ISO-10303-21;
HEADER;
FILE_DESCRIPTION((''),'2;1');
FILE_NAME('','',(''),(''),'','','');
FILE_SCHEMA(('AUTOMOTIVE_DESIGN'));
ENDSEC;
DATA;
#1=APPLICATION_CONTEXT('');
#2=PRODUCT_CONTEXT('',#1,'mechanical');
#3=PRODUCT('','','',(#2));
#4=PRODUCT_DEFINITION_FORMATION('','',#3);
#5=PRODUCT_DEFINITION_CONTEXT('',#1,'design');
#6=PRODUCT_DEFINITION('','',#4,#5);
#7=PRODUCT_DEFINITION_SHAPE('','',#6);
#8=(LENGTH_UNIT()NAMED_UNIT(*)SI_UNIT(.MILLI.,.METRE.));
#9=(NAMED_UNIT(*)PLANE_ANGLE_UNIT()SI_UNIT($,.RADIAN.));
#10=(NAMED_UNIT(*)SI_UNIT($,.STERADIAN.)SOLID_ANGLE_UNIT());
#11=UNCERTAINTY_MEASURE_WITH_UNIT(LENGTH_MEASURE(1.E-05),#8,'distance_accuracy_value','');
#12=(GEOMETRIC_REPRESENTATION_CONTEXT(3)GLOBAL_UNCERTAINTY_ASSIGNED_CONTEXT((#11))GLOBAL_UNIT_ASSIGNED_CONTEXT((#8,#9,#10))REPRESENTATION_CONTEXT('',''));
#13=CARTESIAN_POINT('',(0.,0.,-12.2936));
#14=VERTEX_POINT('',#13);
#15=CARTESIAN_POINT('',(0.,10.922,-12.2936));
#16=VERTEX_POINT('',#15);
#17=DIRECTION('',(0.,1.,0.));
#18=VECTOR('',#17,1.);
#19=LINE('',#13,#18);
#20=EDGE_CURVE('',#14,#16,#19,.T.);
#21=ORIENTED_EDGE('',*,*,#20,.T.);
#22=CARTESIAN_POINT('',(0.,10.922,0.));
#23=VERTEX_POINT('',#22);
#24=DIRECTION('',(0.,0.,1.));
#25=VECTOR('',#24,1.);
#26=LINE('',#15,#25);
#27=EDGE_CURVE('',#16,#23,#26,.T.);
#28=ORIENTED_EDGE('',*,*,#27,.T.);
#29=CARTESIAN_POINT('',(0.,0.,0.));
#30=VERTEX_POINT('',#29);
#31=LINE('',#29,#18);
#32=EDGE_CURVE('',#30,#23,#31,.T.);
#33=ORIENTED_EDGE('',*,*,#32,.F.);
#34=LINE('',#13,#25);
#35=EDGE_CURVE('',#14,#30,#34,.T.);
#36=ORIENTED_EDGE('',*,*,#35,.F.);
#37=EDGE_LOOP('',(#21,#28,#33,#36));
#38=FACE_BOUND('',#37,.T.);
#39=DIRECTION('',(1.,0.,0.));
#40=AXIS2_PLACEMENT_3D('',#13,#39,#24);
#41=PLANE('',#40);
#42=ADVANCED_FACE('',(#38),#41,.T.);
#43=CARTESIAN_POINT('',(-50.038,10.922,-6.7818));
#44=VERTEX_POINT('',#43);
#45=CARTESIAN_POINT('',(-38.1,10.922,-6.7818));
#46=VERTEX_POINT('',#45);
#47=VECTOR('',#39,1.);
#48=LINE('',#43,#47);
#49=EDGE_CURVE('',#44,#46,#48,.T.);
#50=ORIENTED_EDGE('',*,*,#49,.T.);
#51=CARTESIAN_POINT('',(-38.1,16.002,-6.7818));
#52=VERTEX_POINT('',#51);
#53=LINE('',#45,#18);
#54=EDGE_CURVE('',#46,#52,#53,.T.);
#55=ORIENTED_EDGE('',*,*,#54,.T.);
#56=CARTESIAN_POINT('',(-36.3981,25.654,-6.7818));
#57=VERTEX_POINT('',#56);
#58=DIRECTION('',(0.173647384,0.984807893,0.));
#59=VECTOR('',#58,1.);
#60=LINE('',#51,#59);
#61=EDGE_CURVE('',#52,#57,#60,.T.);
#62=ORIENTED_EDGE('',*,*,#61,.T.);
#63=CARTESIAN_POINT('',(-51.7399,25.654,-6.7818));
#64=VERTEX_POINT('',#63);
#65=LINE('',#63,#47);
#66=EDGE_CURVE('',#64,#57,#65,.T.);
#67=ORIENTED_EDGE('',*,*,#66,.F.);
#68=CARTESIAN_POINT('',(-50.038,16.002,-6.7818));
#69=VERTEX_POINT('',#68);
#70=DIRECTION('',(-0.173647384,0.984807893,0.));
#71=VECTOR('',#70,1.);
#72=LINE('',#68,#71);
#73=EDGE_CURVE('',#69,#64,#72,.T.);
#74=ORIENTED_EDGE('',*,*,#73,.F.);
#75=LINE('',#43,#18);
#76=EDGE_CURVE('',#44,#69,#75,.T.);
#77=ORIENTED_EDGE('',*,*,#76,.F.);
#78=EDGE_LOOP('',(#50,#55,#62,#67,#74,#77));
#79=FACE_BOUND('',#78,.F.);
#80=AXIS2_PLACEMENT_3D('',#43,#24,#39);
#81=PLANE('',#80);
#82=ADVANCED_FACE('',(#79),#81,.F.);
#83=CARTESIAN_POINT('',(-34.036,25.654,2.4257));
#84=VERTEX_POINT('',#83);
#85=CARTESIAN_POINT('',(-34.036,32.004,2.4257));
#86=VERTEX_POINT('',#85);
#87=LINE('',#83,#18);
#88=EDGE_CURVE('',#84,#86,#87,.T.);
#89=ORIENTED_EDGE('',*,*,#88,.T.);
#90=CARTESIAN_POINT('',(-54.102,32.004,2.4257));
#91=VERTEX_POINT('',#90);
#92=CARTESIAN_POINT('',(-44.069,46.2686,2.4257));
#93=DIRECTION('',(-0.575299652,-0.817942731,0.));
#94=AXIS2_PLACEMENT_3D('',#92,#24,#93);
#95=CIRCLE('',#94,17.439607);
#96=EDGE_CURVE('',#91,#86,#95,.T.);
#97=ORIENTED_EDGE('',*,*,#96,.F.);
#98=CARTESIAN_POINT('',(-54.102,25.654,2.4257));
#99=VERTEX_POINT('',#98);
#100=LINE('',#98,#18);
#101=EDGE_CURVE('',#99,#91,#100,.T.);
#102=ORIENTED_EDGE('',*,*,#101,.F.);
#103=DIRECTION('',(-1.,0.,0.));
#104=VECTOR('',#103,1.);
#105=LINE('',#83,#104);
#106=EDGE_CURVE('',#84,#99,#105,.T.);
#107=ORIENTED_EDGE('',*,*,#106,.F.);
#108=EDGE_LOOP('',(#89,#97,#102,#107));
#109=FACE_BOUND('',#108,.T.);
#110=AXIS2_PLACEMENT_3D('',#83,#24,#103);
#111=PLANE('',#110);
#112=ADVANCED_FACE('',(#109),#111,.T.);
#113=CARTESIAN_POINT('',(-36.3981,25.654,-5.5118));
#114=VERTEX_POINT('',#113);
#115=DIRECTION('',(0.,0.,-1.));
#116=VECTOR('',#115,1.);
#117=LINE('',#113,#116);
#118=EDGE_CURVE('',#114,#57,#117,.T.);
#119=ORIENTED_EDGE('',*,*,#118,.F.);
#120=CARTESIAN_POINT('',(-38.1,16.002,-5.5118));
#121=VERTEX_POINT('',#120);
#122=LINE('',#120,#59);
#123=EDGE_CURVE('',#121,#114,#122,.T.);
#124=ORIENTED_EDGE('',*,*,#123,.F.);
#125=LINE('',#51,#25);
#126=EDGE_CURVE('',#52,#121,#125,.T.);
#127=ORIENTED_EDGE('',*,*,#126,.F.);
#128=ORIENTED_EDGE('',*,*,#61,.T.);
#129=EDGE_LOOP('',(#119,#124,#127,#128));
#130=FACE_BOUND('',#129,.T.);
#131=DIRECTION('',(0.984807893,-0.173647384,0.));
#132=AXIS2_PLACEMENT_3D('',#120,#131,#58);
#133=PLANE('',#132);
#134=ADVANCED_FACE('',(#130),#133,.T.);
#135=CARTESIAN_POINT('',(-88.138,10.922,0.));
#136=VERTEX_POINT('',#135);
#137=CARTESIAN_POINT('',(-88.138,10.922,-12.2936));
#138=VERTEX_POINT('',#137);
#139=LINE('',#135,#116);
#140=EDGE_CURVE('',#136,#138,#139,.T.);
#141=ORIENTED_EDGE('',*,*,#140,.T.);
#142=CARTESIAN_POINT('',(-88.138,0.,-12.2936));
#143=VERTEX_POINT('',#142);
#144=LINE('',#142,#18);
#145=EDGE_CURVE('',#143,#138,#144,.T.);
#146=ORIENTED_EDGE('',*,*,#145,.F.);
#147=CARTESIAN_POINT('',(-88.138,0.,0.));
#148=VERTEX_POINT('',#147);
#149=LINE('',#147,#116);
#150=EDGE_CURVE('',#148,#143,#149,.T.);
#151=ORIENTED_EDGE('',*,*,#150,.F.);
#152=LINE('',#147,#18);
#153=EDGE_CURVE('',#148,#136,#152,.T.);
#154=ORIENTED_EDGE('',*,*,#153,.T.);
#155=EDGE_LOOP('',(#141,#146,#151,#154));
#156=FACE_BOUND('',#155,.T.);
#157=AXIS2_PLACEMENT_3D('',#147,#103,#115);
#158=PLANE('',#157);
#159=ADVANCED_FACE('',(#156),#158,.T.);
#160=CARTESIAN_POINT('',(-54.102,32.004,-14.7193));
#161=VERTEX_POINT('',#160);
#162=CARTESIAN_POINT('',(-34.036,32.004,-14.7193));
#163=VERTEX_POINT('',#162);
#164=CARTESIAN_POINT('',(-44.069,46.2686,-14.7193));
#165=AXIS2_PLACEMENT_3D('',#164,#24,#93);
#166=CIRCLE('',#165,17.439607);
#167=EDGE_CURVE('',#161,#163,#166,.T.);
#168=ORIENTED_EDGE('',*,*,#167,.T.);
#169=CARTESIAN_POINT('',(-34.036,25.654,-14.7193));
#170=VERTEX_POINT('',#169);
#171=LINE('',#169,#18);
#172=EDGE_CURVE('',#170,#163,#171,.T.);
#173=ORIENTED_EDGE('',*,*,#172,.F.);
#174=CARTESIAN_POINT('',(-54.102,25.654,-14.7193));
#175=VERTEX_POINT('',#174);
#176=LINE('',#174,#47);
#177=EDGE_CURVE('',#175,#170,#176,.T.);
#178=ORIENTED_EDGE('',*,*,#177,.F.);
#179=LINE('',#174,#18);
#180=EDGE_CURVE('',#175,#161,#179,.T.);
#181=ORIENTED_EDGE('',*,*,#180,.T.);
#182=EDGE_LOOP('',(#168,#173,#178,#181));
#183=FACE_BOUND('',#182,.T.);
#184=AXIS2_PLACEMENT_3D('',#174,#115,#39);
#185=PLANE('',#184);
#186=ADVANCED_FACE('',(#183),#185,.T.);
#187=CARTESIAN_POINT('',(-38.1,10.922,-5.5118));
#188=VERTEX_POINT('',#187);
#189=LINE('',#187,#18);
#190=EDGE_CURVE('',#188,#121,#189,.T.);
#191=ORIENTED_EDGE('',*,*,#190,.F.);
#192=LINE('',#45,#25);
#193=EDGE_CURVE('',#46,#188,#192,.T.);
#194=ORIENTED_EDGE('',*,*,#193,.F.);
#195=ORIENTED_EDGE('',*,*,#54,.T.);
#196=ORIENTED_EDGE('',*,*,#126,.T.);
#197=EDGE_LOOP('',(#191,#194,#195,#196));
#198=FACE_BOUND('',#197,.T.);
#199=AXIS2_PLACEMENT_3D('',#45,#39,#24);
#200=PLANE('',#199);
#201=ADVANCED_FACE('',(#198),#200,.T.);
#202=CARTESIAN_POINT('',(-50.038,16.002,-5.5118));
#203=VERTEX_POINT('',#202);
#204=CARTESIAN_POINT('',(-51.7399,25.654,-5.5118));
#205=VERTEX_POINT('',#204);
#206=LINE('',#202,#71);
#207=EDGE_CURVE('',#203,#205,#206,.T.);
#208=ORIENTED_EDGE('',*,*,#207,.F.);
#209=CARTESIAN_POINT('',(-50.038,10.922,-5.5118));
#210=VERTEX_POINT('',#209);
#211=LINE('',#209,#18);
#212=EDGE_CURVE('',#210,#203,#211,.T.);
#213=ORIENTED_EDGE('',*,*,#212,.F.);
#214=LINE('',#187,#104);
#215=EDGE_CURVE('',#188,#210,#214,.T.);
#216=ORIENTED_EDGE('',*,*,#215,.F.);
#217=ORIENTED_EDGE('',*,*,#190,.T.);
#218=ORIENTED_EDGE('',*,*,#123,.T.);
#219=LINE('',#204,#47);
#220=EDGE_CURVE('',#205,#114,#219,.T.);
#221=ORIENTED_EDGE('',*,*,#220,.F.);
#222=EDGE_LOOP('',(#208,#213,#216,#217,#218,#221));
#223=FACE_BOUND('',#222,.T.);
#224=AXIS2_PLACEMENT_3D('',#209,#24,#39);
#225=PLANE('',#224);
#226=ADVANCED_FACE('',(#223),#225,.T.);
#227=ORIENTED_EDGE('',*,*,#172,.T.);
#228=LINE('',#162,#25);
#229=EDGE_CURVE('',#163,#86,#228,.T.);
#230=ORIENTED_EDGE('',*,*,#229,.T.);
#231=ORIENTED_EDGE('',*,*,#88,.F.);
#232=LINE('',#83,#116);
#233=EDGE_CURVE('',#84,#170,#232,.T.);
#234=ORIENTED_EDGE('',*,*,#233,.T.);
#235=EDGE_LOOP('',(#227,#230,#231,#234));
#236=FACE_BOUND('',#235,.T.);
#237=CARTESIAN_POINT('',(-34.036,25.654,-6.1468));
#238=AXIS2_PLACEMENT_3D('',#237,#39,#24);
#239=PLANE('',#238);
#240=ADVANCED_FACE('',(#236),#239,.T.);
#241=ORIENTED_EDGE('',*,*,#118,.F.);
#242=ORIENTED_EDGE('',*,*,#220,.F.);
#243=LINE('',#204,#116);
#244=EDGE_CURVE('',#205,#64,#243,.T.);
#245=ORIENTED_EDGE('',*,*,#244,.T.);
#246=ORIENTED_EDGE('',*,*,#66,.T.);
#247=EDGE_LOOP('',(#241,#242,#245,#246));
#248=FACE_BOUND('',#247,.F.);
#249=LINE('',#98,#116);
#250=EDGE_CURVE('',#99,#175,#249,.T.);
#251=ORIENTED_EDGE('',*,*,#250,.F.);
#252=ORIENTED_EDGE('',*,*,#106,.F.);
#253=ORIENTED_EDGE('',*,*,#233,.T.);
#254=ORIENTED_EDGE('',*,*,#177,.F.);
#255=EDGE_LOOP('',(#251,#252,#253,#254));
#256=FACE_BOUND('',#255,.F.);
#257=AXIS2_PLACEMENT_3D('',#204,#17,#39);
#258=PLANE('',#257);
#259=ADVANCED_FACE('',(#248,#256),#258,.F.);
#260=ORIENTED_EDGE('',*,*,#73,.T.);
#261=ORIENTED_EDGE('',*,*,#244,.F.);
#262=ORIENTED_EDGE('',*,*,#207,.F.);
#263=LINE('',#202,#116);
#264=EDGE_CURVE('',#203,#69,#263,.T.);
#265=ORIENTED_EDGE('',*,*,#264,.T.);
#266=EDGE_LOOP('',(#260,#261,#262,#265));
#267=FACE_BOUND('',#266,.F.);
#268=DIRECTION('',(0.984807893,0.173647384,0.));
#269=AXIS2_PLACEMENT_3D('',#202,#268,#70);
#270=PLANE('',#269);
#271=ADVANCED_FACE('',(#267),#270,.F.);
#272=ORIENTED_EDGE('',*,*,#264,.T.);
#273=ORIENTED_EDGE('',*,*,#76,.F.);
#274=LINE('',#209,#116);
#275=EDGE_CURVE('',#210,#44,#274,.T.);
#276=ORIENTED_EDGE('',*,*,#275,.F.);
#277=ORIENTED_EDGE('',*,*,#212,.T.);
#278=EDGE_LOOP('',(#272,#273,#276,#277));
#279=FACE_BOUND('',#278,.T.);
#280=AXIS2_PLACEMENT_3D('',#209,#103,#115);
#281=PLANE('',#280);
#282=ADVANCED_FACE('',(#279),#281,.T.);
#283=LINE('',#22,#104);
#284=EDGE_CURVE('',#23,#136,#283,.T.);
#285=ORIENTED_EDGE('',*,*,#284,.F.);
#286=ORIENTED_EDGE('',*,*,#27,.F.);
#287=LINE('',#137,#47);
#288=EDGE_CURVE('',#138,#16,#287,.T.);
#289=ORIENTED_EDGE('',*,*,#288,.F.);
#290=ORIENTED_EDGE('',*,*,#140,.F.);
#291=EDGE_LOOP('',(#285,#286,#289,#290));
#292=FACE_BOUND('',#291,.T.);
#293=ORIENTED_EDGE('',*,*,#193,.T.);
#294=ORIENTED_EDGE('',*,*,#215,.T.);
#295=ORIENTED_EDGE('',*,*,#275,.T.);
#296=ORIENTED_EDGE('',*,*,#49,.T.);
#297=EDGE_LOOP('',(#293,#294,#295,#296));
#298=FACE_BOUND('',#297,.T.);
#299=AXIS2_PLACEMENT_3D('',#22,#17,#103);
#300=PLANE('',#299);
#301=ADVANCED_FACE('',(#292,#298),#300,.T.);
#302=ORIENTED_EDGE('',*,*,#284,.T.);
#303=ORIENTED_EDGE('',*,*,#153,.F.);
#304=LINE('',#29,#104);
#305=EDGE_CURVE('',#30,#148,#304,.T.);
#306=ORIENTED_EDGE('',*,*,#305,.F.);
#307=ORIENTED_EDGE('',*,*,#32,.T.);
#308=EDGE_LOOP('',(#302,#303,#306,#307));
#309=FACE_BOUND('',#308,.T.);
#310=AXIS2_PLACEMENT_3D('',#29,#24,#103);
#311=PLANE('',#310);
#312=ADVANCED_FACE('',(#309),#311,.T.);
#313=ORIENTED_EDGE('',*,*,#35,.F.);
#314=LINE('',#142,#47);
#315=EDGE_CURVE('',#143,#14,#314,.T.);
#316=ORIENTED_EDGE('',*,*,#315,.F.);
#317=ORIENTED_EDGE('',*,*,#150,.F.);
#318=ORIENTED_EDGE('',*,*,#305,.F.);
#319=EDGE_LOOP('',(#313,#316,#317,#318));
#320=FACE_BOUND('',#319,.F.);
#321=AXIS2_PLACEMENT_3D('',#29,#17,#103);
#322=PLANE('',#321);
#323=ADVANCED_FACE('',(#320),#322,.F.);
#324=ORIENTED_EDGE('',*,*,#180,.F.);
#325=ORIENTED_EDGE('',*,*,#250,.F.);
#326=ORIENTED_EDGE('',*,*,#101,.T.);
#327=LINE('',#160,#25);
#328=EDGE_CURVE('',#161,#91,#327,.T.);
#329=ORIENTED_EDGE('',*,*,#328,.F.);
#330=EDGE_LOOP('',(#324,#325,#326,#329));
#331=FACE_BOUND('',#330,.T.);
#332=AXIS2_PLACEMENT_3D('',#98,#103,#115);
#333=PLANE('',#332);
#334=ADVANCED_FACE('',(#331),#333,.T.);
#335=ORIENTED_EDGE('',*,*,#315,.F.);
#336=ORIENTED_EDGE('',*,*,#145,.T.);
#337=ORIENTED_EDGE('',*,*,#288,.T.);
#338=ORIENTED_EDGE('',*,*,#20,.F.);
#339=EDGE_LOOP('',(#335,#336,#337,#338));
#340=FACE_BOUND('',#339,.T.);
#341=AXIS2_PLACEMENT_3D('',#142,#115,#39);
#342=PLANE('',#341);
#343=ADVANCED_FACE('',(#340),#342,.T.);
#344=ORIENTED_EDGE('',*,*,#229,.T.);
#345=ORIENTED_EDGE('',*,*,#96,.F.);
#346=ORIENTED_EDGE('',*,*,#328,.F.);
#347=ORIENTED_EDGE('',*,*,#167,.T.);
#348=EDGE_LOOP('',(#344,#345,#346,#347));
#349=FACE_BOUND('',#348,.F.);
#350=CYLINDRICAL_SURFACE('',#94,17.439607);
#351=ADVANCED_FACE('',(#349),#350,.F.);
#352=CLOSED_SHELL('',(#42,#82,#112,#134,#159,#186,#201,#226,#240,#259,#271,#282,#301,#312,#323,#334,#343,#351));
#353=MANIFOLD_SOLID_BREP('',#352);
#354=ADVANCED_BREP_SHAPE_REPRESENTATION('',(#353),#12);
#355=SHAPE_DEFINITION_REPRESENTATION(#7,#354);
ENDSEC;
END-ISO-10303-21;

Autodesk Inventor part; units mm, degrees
ref_plane "YZ Plane" through (0, 0, 0) normal (1, 0, 0) x (0, 1, 0)
ref_plane "XZ Plane" through (0, 0, 0) normal (0, 1, 0) x (-1, 0, 0)
ref_plane "XY Plane" through (0, 0, 0) normal (0, 0, 1) x (1, 0, 0)
sketch "Sketch1" plane through (0, 0, 0) normal (0, 1, 0) x (-1, 0, 0)
  line L0 (0, 0) -> (88.138, 0)
  line L1 (88.138, 0) -> (88.138, -12.2936)
  line L2 (88.138, -12.2936) -> (0, -12.2936)
  line L3 (0, -12.2936) -> (0, 0)
  dimension "d0" = 88.138
  dimension "d1" = 12.2936
extrude "Extrusion1" add sketch "Sketch1" along normal blind 10.922
sketch "Sketch2" plane through (0, 10.922, 0) normal (0, 1, 0) x (1, 0, 0)
  line L0 (-88.138, 12.2936) -> (-88.138, 0) projected
  line L1 (0, 0) -> (0, 12.2936) projected
  line L2 (-50.038, 6.7818) -> (-38.1, 6.7818)
  line L3 (-38.1, 6.7818) -> (-38.1, 5.5118)
  line L4 (-38.1, 5.5118) -> (-50.038, 5.5118)
  line L5 (-50.038, 5.5118) -> (-50.038, 6.7818)
  dimension "d7" = 11.938
  dimension "d8" = 1.27
extrude "Extrusion2" add sketch "Sketch2" along normal blind 5.08
sketch "Sketch4" plane through (-50.038, 10.922, -5.5118) normal (0, 0, 1) x (1, 0, 0)
  line L0 (0, 5.08) -> (11.938, 5.08)
  line L1 (11.938, 5.08) -> (0, 5.08) projected
  line L2 (11.938, 5.08) -> (13.6399, 14.732)
  line L3 (11.938, 5.08) -> (21.7389, 5.08) construction
  line L4 (0, 5.08) -> (-1.7019, 14.732)
  line L5 (0, 5.08) -> (9.8009, 5.08) construction
  line L6 (-1.7019, 14.732) -> (13.6399, 14.732)
  point P0 (50.038, -10.922)
  dimension "d12" = 80
  dimension "d13" = 100
extrude "Extrusion3" add sketch "Sketch4" against normal blind 1.27
sketch "Sketch5" plane through (-51.7399, 25.654, -5.5118) normal (0, 1, 0) x (1, 0, 0)
  line L0 (15.3418, 0) -> (0, 0) projected
  line L1 (15.3418, 0) -> (15.3418, 1.27) projected
  line L2 (0, 1.27) -> (15.3418, 1.27) projected
  line L3 (0, 0) -> (0, 1.27) projected
  line L4 (-2.3621, 0.635) -> (17.7039, 0.635)
  line L5 (-2.3621, 9.2075) -> (17.7039, 9.2075)
  line L6 (17.7039, 9.2075) -> (17.7039, -7.9375)
  line L7 (17.7039, -7.9375) -> (-2.3621, -7.9375)
  line L8 (-2.3621, -7.9375) -> (-2.3621, 9.2075)
  point P0 (51.7399, -5.5118)
  dimension "d19" = 20.066
  dimension "d21" = 17.145
  dimension "d22" = 8.5725
  dimension "d23" = 0.635
extrude "Extrusion4" add sketch "Sketch5" along normal blind 6.35
sketch "Sketch6" plane through (-54.102, 25.654, 2.4257) normal (0, 0, 1) x (1, 0, 0)
  arc A0 (0, 6.35) -> (20.066, 6.35) centre (10.033, 20.6146) ccw
  line L0 (0, 6.35) -> (20.066, 6.35)
  point P0 (54.102, -25.654)
extrude "Extrusion5" cut sketch "Sketch6" against normal blind 20.32
properties part number "SLIDE_POTENTIOMETER"
